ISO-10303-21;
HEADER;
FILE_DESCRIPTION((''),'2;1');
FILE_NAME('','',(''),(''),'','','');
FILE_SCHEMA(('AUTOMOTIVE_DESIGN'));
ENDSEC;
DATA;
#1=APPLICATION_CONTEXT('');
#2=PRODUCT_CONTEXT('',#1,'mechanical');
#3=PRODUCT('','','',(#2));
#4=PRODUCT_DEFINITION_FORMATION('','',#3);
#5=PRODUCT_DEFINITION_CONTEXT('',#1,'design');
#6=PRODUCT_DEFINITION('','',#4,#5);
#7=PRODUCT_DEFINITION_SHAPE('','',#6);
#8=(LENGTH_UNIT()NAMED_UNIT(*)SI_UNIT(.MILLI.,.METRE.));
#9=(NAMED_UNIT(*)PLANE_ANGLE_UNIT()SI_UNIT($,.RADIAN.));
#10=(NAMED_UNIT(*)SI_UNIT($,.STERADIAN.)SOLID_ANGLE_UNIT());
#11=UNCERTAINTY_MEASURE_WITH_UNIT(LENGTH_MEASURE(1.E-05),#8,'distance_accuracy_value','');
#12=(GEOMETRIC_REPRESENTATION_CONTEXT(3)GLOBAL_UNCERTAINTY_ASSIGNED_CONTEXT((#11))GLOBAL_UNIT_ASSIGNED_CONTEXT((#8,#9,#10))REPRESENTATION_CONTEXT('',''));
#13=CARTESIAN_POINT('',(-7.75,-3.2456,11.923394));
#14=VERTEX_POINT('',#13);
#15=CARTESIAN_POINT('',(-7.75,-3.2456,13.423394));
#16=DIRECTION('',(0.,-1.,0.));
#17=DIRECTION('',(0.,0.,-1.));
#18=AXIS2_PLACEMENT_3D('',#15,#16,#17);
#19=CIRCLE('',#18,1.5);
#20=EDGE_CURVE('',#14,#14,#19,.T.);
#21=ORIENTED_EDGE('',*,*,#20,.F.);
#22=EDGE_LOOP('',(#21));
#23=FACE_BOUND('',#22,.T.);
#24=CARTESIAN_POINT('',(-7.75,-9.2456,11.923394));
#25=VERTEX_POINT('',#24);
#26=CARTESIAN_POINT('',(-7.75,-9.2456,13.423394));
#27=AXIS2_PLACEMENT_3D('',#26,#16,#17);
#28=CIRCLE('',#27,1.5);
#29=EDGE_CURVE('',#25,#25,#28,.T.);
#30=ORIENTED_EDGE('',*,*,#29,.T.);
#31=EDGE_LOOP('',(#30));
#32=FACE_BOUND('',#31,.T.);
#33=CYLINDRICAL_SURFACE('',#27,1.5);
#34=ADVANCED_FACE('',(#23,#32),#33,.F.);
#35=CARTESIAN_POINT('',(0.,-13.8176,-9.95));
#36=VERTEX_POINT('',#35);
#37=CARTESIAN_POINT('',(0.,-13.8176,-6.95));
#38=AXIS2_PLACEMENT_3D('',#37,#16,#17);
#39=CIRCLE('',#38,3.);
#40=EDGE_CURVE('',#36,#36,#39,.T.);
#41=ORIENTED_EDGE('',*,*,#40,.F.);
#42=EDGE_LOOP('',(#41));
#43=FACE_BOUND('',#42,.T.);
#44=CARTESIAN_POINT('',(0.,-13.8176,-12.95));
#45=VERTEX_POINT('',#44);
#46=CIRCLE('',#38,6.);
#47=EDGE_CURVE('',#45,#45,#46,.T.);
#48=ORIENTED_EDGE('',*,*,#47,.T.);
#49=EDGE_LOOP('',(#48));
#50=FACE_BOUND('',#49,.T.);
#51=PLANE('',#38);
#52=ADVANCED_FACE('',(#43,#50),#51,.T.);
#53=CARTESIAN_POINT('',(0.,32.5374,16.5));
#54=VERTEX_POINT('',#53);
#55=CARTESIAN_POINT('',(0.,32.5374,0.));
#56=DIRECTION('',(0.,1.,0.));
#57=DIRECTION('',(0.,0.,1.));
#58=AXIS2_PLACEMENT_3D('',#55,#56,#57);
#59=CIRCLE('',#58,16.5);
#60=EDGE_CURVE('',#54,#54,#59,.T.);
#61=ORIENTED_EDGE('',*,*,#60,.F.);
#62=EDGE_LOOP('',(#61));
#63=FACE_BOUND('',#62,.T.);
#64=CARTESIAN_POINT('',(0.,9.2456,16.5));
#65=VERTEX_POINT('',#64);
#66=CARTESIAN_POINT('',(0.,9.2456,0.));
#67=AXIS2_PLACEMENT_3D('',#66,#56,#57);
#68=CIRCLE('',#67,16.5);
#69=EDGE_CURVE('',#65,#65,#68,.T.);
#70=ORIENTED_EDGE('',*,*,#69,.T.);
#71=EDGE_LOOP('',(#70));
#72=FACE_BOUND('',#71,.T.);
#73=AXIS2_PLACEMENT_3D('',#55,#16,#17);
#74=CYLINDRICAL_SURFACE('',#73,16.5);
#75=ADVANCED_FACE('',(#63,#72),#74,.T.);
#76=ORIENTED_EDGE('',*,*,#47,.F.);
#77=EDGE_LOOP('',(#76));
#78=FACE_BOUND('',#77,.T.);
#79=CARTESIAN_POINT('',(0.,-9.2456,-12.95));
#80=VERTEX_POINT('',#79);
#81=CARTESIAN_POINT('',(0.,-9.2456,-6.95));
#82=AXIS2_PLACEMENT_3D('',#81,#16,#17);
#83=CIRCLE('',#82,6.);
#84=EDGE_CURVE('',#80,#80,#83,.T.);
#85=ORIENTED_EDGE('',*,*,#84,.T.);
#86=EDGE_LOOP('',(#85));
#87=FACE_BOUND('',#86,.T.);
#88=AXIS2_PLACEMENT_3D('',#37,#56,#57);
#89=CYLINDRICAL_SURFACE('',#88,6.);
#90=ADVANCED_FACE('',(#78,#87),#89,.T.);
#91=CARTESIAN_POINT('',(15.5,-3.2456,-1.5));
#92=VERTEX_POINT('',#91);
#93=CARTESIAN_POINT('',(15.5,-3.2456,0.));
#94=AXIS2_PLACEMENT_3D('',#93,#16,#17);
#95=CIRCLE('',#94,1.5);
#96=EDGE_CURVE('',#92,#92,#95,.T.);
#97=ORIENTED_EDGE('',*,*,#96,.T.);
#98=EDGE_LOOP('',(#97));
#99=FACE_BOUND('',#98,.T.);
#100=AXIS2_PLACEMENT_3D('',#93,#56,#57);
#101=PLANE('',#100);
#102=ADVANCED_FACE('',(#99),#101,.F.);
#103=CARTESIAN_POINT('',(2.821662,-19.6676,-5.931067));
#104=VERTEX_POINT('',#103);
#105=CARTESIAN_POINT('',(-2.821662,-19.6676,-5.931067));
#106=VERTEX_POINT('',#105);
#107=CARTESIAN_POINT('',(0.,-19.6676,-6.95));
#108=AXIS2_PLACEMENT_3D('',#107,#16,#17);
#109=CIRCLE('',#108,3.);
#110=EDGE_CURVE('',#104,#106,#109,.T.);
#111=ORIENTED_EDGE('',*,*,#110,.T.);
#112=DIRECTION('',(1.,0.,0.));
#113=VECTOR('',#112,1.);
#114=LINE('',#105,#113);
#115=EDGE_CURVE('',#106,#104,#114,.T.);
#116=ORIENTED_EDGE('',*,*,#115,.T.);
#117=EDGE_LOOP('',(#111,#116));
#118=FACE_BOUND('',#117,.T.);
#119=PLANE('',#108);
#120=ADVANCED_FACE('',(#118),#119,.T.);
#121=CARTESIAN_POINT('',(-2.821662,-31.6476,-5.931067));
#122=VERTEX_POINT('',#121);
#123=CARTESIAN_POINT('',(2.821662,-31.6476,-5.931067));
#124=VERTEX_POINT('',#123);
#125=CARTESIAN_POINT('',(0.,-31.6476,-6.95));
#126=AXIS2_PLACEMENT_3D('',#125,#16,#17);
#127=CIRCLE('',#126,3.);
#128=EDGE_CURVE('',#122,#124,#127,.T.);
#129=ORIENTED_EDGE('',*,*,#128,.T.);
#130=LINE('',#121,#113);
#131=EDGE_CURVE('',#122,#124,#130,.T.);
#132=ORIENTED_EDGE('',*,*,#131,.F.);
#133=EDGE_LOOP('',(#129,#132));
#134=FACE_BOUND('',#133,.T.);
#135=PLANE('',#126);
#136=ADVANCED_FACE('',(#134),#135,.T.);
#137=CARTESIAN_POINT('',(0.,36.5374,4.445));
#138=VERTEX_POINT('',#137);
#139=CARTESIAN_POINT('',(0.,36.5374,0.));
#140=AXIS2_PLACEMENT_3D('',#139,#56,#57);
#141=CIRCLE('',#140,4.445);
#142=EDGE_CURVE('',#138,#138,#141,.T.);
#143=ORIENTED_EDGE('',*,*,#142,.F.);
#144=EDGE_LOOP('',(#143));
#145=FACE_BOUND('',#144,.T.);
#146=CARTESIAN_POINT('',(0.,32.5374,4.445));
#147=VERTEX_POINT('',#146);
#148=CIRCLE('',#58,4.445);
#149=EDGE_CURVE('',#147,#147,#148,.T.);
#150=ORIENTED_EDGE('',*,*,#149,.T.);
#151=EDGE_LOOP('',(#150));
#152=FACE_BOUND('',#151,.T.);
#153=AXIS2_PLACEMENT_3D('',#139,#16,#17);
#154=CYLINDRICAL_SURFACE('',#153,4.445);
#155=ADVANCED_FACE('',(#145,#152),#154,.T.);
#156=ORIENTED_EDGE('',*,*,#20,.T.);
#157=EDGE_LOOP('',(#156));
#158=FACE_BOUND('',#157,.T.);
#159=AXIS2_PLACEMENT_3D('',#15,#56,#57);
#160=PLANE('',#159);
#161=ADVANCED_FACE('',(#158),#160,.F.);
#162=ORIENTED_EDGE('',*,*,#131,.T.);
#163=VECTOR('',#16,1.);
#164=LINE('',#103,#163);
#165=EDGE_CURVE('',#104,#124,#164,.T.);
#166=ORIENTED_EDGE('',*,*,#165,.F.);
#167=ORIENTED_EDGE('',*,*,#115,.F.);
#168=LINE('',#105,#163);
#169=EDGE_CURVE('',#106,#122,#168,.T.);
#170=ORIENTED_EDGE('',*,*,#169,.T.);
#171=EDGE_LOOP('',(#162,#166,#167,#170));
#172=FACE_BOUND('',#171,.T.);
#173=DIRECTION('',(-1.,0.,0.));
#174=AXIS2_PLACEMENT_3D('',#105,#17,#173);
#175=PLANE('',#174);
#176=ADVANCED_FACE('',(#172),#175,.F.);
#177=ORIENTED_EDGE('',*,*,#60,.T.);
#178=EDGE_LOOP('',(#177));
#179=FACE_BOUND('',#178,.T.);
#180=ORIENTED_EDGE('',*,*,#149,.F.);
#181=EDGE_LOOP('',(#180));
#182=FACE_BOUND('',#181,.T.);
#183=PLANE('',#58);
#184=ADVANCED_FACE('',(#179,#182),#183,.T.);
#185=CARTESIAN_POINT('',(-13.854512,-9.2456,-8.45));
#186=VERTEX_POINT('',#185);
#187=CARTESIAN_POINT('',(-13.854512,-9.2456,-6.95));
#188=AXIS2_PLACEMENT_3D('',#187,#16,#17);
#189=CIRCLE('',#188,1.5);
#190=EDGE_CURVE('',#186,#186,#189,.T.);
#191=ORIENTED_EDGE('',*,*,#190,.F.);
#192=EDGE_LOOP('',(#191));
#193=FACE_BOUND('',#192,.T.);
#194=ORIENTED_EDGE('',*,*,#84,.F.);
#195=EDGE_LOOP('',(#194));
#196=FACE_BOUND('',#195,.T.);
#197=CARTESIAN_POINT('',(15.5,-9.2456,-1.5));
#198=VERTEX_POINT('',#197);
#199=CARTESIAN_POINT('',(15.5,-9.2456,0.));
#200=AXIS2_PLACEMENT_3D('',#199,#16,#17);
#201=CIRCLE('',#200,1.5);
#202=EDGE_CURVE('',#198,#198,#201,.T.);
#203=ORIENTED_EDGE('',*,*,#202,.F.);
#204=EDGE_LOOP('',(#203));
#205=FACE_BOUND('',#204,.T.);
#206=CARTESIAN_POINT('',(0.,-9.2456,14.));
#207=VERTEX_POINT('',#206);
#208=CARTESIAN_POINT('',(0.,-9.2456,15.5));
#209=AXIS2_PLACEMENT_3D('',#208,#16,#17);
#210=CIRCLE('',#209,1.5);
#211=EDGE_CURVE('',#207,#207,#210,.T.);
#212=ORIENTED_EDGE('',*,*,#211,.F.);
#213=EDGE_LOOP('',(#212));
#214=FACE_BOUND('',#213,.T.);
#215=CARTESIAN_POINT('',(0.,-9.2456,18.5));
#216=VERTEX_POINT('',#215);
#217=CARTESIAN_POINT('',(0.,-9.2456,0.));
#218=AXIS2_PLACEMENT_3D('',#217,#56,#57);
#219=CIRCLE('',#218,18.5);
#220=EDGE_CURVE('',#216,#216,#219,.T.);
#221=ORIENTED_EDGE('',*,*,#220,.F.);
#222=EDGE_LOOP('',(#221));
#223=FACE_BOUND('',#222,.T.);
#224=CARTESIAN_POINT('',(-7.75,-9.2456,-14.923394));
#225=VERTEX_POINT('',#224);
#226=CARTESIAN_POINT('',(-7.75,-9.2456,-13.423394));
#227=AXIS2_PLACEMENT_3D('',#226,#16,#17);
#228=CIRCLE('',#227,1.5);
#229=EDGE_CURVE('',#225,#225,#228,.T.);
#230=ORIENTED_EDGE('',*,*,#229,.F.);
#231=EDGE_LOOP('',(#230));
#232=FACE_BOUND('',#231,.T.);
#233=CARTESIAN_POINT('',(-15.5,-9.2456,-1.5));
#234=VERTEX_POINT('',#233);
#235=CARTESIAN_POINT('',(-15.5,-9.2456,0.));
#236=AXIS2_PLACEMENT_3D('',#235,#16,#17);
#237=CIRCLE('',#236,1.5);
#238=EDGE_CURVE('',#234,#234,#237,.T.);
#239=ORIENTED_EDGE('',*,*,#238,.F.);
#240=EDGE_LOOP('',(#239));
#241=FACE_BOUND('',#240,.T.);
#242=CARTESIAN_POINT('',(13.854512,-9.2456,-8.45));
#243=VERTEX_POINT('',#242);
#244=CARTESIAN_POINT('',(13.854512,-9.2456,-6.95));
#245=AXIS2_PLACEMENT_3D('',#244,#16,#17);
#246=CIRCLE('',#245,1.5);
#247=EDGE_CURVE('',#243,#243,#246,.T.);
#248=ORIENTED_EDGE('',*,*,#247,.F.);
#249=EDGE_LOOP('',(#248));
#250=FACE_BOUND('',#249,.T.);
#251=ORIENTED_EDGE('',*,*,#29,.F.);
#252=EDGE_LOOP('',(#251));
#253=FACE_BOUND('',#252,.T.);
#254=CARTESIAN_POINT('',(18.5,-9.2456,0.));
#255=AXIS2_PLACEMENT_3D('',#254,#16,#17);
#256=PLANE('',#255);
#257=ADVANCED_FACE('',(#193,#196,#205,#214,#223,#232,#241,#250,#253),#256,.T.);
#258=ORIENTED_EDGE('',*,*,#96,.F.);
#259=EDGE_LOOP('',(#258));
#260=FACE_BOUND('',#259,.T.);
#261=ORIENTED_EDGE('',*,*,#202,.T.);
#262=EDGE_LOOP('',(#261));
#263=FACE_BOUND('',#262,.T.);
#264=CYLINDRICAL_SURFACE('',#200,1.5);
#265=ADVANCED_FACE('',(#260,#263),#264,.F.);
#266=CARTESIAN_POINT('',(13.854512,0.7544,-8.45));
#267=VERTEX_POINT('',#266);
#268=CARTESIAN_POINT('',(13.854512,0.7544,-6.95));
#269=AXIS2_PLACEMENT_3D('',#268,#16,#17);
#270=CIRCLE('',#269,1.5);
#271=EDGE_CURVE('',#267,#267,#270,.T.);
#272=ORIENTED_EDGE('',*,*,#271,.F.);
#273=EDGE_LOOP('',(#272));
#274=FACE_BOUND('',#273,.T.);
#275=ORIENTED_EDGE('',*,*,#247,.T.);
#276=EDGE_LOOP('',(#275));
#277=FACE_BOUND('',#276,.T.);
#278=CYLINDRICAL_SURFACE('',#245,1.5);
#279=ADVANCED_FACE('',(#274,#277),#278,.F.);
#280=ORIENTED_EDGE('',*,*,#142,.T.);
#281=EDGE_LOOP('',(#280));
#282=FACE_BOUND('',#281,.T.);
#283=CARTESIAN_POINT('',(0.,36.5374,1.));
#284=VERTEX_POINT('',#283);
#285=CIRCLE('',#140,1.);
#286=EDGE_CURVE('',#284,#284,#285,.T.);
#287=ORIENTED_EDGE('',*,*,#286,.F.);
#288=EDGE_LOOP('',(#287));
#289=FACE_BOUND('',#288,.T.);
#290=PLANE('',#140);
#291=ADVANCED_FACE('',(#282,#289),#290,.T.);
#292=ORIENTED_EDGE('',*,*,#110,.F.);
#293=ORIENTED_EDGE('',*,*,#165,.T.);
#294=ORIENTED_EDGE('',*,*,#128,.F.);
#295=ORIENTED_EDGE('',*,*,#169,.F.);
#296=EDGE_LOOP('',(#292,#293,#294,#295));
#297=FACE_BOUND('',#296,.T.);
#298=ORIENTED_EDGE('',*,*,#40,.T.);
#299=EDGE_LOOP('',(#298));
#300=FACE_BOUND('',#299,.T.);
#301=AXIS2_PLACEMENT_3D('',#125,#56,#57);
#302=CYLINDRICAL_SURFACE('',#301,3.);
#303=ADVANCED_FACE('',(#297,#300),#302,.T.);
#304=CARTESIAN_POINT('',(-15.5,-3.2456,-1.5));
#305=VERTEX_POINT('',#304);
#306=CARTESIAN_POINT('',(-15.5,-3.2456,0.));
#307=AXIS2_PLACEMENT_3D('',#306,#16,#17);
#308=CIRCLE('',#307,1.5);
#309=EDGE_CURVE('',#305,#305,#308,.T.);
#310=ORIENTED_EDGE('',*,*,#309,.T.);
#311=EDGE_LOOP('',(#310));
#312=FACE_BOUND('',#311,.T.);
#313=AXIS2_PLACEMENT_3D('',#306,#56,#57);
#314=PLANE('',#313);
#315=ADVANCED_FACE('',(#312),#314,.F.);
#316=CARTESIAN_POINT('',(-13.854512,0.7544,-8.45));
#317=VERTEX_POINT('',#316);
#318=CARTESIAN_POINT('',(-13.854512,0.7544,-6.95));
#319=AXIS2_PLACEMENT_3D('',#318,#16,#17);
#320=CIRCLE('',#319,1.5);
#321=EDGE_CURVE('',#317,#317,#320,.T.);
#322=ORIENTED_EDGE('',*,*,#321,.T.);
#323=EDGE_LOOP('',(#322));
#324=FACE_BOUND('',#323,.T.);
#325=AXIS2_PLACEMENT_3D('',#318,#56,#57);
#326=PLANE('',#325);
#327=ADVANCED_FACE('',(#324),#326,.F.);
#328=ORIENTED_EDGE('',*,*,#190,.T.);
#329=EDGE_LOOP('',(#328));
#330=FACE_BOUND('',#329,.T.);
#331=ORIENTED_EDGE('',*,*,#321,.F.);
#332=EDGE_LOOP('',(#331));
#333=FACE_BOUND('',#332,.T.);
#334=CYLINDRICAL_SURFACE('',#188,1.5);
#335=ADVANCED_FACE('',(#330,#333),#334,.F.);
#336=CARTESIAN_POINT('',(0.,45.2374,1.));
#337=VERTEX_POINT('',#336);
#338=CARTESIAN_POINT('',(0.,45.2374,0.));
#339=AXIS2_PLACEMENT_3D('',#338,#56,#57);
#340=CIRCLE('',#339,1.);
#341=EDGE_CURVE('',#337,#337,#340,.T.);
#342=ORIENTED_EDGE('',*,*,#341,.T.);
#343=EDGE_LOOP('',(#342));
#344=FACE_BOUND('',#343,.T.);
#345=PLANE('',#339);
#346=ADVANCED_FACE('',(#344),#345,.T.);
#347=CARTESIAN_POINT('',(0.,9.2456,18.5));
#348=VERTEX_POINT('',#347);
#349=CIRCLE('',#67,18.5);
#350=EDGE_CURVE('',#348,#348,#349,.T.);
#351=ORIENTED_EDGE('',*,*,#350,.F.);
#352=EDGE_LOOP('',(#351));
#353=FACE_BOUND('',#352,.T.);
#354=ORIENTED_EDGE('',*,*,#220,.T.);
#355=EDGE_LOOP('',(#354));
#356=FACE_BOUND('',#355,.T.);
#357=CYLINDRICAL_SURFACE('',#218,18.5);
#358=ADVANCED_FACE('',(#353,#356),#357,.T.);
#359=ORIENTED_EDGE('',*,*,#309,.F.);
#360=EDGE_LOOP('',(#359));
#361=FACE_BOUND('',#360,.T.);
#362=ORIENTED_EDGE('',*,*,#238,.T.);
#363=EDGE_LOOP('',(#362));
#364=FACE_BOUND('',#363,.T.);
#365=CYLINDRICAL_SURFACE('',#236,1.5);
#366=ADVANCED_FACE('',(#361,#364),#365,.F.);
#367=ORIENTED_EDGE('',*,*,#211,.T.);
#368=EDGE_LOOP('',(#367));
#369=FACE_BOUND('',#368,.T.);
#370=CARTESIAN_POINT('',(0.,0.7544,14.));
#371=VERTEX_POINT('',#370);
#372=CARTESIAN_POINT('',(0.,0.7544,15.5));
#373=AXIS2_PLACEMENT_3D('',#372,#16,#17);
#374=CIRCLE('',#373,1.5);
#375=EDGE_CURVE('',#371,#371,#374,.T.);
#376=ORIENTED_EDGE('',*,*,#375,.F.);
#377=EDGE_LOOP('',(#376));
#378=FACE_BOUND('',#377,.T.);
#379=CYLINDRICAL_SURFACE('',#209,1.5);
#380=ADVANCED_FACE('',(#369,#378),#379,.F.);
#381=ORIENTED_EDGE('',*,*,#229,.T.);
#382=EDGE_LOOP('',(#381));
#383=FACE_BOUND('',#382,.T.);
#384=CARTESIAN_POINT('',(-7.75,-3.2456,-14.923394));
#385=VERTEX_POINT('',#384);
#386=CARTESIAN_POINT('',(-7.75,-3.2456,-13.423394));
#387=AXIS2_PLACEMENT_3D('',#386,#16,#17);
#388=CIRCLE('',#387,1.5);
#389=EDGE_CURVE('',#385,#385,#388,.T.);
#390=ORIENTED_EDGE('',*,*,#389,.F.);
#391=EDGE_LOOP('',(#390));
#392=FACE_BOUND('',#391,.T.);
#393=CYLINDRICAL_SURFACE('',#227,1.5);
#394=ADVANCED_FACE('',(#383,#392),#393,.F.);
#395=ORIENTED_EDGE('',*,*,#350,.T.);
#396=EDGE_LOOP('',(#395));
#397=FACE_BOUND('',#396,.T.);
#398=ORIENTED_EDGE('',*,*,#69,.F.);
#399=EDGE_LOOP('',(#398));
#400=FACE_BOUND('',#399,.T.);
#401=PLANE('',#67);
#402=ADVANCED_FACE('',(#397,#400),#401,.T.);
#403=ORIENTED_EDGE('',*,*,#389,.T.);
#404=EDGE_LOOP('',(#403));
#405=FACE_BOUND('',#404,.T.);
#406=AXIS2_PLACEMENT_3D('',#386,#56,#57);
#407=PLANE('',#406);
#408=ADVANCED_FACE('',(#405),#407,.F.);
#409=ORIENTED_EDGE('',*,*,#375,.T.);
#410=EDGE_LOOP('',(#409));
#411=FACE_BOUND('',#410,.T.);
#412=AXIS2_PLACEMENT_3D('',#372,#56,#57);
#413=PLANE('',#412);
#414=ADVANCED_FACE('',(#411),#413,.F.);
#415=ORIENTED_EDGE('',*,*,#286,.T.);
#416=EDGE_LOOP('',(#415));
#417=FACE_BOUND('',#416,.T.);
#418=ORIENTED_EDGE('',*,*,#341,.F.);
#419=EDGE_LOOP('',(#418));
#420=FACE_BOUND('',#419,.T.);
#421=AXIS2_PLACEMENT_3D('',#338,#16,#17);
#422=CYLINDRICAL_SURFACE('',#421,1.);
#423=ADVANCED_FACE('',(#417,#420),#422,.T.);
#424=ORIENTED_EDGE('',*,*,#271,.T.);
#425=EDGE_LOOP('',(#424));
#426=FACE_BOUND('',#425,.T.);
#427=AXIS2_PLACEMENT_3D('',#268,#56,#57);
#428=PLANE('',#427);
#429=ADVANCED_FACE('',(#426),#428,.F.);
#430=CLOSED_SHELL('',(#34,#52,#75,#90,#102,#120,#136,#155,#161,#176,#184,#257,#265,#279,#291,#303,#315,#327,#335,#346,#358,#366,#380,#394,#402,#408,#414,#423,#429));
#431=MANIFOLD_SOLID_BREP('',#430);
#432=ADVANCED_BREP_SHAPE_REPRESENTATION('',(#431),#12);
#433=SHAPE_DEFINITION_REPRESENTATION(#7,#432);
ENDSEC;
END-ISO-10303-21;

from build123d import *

# Parameters (mm, degrees)
SCHIZZO1_W                   = 18.5
SCHIZZO1_H                   = 18.4912
SCHIZZO2_R                   = 6
ESTRUSIONE_ESTRUSIONE1_DEPTH = 4.572
SCHIZZO3_R                   = 3
ESTRUSIONE_ESTRUSIONE2_DEPTH = 17.83
TAGLIO_ESTRUSIONE1_DEPTH     = 11.98
SCHIZZO5_R                   = 16.5
ESTRUSIONE_ESTRUSIONE3_DEPTH = 23.2918
SCHIZZO6_R                   = 4.445
ESTRUSIONE_ESTRUSIONE4_DEPTH = 4
SCHIZZO7_R                   = 1
ESTRUSIONE_ESTRUSIONE5_DEPTH = 8.7
FORO_3_0_3_1_D               = 3
FORO_3_0_3_1_DEPTH           = 6
FORO_3_0_3_2_D               = 3
FORO_3_0_3_2_DEPTH           = 10


with BuildPart() as part:
    # Schizzo1 → Rivoluzione1 (revolve)
    with BuildSketch(Plane(origin=(0, 0, 0), x_dir=(-1, 0, 0), z_dir=(0, 0, -1))):
        with Locations((-9.25, 0)):
            Rectangle(SCHIZZO1_W, SCHIZZO1_H)
    revolve(axis=Axis((0, -9.2456, 0), (0, 1, 0)))

    # Schizzo2 → Estrusione-Estrusione1 (add)
    with BuildSketch(Plane.XZ.offset(9.2456)):
        with Locations((0, -6.95)):
            Circle(SCHIZZO2_R)
    extrude(amount=ESTRUSIONE_ESTRUSIONE1_DEPTH)

    # Schizzo3 → Estrusione-Estrusione2 (add)
    with BuildSketch(Plane.XZ.offset(13.8176)):
        with Locations((0, -6.95)):
            Circle(SCHIZZO3_R)
    extrude(amount=ESTRUSIONE_ESTRUSIONE2_DEPTH)

    # Schizzo4 → Taglio-Estrusione1 (cut)
    with BuildSketch(Plane.XZ.offset(31.6476)):
        with BuildLine():
            Line((-2.821661699, -5.931066609), (2.821661699, -5.931066609))
            ThreePointArc((2.821661699, -5.931066609), (0, -3.95), (-2.821661699, -5.931066609))
        make_face()
    extrude(amount=-TAGLIO_ESTRUSIONE1_DEPTH, mode=Mode.SUBTRACT)

    # Schizzo5 → Estrusione-Estrusione3 (add)
    with BuildSketch(Plane(origin=(0, 9.2456, 0), x_dir=(-1, 0, 0), z_dir=(0, 1, 0))):
        Circle(SCHIZZO5_R)
    extrude(amount=ESTRUSIONE_ESTRUSIONE3_DEPTH)

    # Schizzo6 → Estrusione-Estrusione4 (add)
    with BuildSketch(Plane(origin=(0, 32.5374, 0), x_dir=(-1, 0, 0), z_dir=(0, 1, 0))):
        Circle(SCHIZZO6_R)
    extrude(amount=ESTRUSIONE_ESTRUSIONE4_DEPTH)

    # Schizzo7 → Estrusione-Estrusione5 (add)
    with BuildSketch(Plane(origin=(0, 36.5374, 0), x_dir=(-1, 0, 0), z_dir=(0, 1, 0))):
        Circle(SCHIZZO7_R)
    extrude(amount=ESTRUSIONE_ESTRUSIONE5_DEPTH)

    # Foro Ø3.0 (3)-1
    with Locations(Plane(origin=(0, -9.2456, 0), x_dir=(-1, 0, 0), z_dir=(0, -1, 0))):
        with Locations((15.5, 0), (7.75, -13.423393759), (-15.5, 0), (7.75, 13.423393759)):
            Hole(FORO_3_0_3_1_D / 2, depth=FORO_3_0_3_1_DEPTH)

    # Foro Ø3.0 (3)-2
    with Locations(Plane(origin=(0, -9.2456, 0), x_dir=(-1, 0, 0), z_dir=(0, -1, 0))):
        with Locations((13.8545119, 6.95), (-13.8545119, 6.95), (0, -15.5)):
            Hole(FORO_3_0_3_2_D / 2, depth=FORO_3_0_3_2_DEPTH)


solid = part.part
